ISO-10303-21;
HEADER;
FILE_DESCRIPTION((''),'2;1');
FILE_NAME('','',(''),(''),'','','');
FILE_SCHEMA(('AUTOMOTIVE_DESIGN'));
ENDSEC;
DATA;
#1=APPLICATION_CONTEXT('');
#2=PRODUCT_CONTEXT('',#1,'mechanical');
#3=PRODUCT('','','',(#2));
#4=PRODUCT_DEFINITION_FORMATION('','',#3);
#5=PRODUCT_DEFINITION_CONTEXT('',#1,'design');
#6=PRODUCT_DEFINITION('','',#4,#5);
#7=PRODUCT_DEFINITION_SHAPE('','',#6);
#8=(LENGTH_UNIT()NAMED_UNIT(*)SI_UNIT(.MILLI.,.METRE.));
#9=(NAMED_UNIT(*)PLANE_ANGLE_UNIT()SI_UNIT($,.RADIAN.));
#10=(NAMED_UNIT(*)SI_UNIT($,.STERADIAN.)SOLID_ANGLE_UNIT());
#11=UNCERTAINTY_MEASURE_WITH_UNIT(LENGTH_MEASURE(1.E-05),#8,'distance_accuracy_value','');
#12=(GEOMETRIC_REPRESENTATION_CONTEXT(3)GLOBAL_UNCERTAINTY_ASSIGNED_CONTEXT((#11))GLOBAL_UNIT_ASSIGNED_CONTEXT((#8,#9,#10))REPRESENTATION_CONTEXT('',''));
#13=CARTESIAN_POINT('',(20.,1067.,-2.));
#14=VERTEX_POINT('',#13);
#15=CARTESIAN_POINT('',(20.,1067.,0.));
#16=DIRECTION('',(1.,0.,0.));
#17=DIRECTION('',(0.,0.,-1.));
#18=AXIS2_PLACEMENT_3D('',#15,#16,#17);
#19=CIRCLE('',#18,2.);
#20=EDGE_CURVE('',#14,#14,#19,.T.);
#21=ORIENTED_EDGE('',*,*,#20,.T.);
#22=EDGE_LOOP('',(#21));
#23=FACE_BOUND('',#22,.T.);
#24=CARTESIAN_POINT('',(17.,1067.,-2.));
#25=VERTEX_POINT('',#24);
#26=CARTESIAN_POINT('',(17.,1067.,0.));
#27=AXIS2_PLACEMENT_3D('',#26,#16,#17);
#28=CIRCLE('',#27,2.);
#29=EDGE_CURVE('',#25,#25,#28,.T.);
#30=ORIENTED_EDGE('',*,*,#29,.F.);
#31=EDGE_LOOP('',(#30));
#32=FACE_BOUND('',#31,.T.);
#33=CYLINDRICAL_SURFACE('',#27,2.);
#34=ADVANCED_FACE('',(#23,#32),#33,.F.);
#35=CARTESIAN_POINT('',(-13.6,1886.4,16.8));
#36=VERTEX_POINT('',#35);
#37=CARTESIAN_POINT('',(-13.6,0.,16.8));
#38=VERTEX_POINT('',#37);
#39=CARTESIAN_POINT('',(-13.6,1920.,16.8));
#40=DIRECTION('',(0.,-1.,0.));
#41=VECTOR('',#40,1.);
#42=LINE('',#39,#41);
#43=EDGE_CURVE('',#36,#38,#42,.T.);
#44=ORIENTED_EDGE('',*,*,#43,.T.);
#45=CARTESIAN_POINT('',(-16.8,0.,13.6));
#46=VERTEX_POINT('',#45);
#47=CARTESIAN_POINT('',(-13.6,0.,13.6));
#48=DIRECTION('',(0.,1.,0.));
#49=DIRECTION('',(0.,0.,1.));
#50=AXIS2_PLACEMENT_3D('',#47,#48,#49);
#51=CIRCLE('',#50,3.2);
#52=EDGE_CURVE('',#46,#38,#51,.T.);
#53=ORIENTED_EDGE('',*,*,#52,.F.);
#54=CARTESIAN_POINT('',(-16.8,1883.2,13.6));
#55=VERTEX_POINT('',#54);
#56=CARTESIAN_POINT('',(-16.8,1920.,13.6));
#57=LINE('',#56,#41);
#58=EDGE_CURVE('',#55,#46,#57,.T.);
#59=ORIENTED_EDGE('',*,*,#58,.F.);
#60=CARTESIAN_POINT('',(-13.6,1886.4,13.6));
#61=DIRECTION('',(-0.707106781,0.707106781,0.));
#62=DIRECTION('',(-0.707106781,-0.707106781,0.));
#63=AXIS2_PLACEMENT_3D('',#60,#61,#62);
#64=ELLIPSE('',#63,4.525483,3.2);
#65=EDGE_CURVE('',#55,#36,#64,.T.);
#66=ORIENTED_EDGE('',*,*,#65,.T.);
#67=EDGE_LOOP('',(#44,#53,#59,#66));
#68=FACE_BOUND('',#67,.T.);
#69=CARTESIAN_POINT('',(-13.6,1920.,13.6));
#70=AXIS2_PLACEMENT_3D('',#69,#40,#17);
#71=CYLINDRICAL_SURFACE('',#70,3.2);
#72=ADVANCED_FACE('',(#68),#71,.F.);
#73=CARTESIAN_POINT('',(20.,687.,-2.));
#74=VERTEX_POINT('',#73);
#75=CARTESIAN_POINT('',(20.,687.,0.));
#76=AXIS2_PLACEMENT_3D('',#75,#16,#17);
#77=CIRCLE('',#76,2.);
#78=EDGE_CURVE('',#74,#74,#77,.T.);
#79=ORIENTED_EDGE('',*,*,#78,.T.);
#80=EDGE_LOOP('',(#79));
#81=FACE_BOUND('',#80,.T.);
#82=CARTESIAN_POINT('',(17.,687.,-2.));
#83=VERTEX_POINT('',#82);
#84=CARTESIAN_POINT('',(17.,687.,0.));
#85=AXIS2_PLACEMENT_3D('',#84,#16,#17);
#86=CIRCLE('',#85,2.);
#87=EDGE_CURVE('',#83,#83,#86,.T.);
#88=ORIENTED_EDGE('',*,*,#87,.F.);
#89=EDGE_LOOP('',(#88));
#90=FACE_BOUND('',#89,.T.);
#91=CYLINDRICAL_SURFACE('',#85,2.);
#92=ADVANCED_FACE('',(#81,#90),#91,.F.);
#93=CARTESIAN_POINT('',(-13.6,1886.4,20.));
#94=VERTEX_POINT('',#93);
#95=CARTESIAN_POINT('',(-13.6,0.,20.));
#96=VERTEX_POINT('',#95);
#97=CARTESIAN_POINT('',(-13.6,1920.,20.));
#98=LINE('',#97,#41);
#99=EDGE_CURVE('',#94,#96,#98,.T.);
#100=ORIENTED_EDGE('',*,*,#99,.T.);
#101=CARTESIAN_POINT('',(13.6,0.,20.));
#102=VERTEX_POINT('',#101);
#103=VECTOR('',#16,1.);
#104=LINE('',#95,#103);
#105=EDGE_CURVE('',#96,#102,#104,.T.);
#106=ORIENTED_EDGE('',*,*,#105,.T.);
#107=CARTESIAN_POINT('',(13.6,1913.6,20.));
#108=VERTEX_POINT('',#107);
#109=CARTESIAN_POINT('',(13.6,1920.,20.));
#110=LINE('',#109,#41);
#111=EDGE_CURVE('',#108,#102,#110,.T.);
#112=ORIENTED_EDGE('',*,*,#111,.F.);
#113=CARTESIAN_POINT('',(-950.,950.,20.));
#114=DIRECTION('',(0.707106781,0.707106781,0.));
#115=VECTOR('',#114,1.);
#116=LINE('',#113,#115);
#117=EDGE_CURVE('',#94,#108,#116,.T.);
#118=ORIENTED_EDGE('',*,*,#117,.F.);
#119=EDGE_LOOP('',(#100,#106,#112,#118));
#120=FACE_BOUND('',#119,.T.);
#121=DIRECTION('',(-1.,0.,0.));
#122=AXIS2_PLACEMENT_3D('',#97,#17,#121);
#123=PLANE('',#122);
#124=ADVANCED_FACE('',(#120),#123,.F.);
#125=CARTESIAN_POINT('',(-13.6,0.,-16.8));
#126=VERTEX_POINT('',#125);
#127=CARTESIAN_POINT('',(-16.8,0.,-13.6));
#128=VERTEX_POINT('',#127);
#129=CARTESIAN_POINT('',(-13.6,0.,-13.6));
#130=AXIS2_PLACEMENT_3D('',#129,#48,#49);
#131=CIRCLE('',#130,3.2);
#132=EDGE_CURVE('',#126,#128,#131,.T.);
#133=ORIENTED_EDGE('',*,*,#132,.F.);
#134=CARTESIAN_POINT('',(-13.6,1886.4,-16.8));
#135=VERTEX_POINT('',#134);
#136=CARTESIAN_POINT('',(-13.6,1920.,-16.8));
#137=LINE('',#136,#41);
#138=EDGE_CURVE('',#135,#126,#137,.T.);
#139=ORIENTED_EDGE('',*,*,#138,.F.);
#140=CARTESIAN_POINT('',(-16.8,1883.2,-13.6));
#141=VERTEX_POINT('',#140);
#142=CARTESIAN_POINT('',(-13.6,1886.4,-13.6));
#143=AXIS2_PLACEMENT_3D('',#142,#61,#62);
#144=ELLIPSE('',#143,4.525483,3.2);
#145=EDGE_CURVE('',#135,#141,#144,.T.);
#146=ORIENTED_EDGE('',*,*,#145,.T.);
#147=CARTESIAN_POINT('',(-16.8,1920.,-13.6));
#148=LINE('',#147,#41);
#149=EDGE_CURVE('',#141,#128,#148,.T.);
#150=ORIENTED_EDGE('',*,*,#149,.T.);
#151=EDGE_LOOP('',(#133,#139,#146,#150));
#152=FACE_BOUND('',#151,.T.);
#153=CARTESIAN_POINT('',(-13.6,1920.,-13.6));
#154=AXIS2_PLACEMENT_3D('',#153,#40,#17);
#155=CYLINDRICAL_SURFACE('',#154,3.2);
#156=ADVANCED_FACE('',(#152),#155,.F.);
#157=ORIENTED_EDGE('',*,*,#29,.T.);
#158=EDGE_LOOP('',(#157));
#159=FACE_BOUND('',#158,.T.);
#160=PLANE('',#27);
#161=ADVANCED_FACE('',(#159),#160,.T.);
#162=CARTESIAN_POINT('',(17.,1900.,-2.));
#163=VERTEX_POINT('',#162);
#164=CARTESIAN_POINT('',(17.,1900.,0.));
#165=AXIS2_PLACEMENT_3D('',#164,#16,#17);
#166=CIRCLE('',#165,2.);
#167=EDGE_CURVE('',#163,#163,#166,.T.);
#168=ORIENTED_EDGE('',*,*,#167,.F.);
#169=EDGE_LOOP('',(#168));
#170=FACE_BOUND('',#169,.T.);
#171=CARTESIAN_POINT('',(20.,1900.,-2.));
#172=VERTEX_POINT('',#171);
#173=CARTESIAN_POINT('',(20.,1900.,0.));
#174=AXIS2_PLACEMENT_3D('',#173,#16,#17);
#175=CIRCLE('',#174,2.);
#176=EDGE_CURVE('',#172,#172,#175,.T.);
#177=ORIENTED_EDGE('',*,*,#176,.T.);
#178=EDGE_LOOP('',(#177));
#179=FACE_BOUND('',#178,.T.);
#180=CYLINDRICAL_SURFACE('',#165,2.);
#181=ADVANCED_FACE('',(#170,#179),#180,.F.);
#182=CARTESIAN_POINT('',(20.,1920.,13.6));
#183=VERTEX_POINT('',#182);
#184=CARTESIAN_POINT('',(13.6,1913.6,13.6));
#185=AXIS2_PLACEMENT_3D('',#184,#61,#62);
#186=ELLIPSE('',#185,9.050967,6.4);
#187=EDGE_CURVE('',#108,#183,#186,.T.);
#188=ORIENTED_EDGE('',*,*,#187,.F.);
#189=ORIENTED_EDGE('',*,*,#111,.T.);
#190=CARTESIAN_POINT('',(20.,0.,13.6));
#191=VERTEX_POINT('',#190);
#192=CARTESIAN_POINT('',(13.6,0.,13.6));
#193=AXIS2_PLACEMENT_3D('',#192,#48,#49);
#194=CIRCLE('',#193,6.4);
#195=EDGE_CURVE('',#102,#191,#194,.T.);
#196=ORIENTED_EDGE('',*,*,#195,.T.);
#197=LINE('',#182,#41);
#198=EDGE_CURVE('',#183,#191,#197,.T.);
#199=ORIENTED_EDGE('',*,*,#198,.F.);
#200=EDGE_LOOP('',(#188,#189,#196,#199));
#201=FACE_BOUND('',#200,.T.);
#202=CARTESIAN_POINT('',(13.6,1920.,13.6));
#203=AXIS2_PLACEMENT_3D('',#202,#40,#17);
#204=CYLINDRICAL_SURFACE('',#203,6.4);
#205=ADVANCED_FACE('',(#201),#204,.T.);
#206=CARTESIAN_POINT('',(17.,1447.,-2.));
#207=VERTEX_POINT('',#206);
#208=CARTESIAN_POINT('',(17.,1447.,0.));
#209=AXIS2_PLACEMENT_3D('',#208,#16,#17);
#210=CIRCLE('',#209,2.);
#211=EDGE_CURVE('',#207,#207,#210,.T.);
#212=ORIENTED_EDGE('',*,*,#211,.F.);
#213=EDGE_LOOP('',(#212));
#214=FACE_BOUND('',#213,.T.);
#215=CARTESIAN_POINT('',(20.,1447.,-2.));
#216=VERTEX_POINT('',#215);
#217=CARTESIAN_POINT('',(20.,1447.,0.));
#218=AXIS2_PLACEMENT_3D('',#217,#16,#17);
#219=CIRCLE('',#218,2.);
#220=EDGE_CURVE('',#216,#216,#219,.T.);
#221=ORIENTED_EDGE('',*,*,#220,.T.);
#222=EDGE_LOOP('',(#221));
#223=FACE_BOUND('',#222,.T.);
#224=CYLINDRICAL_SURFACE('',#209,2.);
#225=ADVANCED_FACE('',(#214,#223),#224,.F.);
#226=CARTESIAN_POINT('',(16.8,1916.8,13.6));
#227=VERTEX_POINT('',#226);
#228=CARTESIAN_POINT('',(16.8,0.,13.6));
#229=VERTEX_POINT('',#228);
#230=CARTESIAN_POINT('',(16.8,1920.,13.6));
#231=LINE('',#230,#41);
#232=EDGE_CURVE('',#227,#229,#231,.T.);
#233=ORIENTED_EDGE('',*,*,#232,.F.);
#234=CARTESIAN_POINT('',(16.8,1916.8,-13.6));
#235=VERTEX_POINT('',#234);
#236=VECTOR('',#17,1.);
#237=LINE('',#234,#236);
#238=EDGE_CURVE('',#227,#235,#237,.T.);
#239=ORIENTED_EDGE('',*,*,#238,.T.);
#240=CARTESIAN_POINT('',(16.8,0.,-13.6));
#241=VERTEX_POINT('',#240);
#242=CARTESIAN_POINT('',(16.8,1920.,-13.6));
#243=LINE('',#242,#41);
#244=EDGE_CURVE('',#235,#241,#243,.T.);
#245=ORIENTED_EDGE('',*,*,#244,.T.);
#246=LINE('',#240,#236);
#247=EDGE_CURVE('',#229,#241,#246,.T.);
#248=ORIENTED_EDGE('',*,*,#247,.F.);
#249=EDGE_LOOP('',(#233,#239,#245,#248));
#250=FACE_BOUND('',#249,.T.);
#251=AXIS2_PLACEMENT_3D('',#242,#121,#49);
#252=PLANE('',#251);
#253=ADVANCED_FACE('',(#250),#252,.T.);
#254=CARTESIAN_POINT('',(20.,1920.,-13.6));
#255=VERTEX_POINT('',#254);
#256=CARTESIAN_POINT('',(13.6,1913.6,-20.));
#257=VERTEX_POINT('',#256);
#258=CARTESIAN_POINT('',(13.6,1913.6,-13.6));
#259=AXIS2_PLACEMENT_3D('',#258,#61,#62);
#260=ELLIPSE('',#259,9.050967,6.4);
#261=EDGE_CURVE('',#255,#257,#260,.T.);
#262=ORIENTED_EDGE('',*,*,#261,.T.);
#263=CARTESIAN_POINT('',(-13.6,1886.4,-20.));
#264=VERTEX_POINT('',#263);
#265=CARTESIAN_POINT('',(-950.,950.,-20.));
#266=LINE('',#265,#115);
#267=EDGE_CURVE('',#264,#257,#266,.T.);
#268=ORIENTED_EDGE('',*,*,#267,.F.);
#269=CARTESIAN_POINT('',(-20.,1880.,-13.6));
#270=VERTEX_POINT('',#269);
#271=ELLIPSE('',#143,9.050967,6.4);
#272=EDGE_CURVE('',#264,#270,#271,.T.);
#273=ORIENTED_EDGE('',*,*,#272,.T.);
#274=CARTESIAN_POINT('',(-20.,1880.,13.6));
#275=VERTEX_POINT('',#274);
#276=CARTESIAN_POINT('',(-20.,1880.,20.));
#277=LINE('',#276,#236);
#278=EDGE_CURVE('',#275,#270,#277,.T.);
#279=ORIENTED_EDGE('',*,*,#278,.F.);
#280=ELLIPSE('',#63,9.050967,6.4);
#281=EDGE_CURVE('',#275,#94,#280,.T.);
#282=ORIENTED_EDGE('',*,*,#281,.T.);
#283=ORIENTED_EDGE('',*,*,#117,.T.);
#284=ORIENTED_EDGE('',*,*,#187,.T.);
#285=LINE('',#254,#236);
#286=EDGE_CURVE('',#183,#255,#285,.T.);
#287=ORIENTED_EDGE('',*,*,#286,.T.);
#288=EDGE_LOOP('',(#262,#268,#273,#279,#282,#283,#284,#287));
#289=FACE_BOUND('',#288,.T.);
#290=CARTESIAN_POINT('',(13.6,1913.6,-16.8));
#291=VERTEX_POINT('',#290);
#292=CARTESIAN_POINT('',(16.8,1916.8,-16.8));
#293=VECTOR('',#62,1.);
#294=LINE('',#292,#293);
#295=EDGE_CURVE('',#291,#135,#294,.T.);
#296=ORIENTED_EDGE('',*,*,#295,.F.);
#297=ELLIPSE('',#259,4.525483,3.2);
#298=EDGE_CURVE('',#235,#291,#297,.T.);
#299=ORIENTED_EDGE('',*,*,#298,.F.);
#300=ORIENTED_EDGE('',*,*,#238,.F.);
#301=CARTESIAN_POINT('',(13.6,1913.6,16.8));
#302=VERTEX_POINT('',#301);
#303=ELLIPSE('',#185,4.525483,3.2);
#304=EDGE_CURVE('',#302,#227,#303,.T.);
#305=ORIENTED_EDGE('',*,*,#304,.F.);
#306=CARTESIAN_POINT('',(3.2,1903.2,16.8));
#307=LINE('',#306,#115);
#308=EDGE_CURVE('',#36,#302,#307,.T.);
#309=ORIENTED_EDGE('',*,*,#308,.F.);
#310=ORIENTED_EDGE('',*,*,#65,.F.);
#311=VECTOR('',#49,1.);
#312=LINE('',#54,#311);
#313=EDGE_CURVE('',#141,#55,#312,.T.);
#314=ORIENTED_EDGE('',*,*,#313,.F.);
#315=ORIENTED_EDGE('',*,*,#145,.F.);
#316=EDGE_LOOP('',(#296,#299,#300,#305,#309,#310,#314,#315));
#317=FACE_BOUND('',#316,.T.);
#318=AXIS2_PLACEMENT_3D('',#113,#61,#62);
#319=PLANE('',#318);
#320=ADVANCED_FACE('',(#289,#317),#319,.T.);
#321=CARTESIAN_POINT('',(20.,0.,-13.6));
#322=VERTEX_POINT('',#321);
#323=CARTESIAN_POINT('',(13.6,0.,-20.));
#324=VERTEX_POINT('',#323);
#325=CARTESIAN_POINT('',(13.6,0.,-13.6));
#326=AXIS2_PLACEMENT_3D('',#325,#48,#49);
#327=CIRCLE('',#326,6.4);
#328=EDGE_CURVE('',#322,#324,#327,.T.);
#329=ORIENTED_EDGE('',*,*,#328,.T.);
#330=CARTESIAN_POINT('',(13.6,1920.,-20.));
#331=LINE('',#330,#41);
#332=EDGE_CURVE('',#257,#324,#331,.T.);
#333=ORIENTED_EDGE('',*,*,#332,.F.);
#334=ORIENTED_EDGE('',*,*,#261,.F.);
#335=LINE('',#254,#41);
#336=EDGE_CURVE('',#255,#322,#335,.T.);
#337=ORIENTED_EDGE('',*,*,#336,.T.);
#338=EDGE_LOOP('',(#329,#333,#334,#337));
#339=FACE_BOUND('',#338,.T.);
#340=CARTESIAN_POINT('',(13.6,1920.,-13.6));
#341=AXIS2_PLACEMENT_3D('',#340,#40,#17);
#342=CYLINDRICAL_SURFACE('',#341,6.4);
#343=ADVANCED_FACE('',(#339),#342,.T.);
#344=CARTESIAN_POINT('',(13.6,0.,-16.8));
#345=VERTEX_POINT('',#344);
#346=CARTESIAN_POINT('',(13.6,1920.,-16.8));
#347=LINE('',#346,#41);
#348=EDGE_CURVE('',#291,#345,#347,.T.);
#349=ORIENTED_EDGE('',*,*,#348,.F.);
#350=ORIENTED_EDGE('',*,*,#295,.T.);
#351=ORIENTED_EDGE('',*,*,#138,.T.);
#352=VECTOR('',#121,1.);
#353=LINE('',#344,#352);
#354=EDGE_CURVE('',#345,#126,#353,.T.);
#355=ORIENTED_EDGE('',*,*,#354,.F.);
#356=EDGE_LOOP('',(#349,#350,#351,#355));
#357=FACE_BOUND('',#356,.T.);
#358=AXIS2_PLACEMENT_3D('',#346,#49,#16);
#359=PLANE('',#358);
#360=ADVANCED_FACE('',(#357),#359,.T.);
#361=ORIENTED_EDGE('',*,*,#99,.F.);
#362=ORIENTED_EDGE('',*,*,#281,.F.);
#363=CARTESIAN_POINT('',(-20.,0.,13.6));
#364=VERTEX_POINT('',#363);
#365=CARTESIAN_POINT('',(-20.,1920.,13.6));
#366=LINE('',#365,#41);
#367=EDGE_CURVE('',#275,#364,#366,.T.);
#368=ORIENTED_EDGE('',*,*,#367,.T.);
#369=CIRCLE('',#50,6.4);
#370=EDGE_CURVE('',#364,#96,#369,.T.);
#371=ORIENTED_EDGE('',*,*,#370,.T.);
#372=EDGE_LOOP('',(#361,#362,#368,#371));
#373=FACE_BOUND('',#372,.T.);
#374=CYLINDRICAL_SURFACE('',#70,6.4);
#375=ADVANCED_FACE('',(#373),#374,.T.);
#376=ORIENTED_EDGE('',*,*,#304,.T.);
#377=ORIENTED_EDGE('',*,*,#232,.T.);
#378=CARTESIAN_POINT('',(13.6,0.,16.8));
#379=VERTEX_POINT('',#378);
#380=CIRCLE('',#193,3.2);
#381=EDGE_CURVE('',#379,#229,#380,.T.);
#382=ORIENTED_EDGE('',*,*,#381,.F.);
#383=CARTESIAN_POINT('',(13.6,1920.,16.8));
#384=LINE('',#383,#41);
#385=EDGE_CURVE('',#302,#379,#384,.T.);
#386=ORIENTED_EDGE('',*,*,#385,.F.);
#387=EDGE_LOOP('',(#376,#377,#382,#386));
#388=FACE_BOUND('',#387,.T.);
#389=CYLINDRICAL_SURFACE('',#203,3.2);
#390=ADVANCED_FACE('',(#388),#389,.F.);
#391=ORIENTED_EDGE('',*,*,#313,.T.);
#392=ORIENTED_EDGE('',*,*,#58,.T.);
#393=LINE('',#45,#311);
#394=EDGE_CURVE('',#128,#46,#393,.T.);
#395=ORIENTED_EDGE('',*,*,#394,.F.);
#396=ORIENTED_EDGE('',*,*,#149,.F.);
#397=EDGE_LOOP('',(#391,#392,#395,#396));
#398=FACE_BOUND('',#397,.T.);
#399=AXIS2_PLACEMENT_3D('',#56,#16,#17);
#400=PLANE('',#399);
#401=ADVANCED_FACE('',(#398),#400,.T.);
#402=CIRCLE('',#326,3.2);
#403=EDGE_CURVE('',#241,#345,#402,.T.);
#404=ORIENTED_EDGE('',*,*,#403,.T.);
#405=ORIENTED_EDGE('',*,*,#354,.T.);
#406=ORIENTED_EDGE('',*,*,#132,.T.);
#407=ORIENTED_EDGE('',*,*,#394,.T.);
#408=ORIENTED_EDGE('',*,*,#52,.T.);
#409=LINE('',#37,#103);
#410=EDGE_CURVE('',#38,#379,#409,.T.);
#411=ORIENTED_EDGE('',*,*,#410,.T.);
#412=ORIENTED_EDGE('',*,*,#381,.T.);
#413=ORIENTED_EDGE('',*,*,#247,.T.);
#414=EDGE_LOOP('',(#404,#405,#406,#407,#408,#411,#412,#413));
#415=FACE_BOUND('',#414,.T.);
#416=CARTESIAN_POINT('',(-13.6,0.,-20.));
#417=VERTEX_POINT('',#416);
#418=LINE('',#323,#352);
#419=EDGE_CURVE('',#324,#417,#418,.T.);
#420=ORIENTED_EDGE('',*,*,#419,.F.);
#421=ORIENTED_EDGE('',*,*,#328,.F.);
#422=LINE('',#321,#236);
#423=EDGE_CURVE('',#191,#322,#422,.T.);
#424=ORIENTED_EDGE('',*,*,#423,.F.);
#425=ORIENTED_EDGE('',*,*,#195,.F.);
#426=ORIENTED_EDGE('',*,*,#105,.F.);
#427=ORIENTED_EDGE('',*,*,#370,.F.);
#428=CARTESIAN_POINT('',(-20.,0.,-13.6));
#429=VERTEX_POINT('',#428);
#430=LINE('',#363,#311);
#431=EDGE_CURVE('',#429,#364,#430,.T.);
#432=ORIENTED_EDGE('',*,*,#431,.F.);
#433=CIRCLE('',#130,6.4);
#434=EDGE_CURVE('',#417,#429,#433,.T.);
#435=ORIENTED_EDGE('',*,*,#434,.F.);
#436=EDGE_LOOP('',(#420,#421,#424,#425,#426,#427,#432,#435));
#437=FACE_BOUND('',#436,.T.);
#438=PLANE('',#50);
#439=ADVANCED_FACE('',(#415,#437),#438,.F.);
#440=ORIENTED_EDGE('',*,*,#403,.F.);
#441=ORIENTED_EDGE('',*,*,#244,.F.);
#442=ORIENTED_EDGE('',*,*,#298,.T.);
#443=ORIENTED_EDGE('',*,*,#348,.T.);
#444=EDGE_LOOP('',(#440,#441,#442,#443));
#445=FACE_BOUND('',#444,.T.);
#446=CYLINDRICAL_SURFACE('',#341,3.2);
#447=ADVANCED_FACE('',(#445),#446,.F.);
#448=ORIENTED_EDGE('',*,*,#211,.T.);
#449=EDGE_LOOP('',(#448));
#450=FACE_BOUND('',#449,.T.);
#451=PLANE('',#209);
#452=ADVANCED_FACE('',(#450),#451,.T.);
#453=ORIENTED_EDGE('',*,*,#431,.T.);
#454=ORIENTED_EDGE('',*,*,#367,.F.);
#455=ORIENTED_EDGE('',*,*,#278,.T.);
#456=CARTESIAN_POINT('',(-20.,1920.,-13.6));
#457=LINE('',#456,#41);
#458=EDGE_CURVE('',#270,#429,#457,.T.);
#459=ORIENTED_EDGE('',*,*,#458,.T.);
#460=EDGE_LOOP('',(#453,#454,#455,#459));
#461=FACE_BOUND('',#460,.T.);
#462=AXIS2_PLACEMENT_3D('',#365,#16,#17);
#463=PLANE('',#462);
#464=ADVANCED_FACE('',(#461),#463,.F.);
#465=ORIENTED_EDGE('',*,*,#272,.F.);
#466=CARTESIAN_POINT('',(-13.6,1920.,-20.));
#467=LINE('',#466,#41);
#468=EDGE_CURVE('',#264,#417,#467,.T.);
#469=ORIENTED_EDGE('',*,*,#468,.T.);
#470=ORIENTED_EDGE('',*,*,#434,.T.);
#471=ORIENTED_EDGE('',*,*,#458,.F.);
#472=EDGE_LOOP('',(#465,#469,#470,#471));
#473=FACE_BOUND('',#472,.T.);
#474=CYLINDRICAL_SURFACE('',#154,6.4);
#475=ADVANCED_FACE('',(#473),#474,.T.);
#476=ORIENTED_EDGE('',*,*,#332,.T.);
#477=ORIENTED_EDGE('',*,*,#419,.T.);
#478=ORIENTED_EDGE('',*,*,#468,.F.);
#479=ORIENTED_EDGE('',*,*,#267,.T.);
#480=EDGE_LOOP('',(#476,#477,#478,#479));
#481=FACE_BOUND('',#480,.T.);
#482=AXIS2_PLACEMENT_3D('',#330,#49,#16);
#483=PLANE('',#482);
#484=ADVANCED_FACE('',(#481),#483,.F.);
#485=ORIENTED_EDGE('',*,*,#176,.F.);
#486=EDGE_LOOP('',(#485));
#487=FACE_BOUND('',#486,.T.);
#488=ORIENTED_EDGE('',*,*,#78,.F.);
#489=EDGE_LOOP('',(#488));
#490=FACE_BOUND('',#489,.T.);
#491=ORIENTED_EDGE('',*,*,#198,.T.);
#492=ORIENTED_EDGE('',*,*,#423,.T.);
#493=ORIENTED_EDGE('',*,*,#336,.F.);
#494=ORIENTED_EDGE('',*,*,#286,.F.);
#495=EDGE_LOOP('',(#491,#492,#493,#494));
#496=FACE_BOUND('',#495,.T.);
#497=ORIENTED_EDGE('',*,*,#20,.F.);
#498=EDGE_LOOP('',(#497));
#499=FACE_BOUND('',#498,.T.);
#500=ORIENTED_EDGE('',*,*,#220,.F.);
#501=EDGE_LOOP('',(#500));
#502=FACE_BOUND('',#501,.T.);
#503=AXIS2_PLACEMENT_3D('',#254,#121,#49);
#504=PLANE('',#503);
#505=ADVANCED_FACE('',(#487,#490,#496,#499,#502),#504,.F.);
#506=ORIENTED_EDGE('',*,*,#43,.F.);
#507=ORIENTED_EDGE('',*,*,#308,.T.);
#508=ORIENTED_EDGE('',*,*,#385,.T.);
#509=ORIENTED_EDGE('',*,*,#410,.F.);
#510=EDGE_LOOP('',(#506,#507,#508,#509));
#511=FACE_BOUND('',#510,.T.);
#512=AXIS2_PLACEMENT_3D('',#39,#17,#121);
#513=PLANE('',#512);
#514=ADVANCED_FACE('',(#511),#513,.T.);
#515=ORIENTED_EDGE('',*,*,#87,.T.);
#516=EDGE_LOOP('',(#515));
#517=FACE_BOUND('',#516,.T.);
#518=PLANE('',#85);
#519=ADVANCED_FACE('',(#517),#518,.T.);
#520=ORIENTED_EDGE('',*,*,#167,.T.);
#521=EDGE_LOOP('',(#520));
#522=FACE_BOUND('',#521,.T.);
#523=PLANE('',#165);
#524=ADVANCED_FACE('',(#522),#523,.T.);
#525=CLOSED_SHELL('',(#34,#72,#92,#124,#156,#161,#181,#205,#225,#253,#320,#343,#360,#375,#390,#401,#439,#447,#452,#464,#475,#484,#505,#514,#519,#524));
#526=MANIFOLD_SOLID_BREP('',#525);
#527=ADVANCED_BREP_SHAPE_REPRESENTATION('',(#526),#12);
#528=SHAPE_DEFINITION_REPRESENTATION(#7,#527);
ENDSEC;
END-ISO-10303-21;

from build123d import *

# Parameters (mm, degrees)
TUBE_SQUARE_40_X_40_X_3_2_1_DEPTH = 1920
CUT_EXTRUDE1_DEPTH                = 1921.52076271
SKETCH16_R                        = 2
CUT_EXTRUDE2_DEPTH                = 3


with BuildPart() as part:
    # Sketch15 → Tube (square) 40 X 40 X 3.2(1) (new body)
    with BuildSketch(Plane(origin=(0, 0, 0), x_dir=(-1, 0, 0), z_dir=(0, 1, 0))):
        with BuildLine():
            Line((-13.6, -20), (13.6, -20))
            ThreePointArc((13.6, -20), (18.1254834, -18.1254834), (20, -13.6))
            Line((20, -13.6), (20, 13.6))
            ThreePointArc((20, 13.6), (18.1254834, 18.1254834), (13.6, 20))
            Line((13.6, 20), (-13.6, 20))
            ThreePointArc((-13.6, 20), (-18.1254834, 18.1254834), (-20, 13.6))
            Line((-20, 13.6), (-20, -13.6))
            ThreePointArc((-20, -13.6), (-18.1254834, -18.1254834), (-13.6, -20))
        make_face()
        with BuildLine():
            Line((-13.6, -16.8), (13.6, -16.8))
            ThreePointArc((13.6, -16.8), (15.8627417, -15.8627417), (16.8, -13.6))
            Line((16.8, -13.6), (16.8, 13.6))
            ThreePointArc((16.8, 13.6), (15.8627417, 15.8627417), (13.6, 16.8))
            Line((13.6, 16.8), (-13.6, 16.8))
            ThreePointArc((-13.6, 16.8), (-15.8627417, 15.8627417), (-16.8, 13.6))
            Line((-16.8, 13.6), (-16.8, -13.6))
            ThreePointArc((-16.8, -13.6), (-15.8627417, -15.8627417), (-13.6, -16.8))
        make_face(mode=Mode.SUBTRACT)
    extrude(amount=TUBE_SQUARE_40_X_40_X_3_2_1_DEPTH)

    # Sketch13 → Cut-Extrude1 (cut, through all)
    with BuildSketch(Plane(origin=(0, 0, -20), x_dir=(-1, 0, 0), z_dir=(0, 0, -1))):
        Polygon((20, 1880), (-20, 1920), (20, 1920), align=None)
    extrude(amount=-CUT_EXTRUDE1_DEPTH, mode=Mode.SUBTRACT)

    # Sketch16 → Cut-Extrude2 (cut)
    with BuildSketch(Plane(origin=(20, 0, 0), x_dir=(0, 0, -1), z_dir=(1, 0, 0))):
        with Locations((0, 1900)):
            Circle(SKETCH16_R)
        with Locations((0, 1447)):
            Circle(SKETCH16_R)
        with Locations((0, 1067)):
            Circle(SKETCH16_R)
        with Locations((0, 687)):
            Circle(SKETCH16_R)
    extrude(amount=-CUT_EXTRUDE2_DEPTH, mode=Mode.SUBTRACT)


solid = part.part
